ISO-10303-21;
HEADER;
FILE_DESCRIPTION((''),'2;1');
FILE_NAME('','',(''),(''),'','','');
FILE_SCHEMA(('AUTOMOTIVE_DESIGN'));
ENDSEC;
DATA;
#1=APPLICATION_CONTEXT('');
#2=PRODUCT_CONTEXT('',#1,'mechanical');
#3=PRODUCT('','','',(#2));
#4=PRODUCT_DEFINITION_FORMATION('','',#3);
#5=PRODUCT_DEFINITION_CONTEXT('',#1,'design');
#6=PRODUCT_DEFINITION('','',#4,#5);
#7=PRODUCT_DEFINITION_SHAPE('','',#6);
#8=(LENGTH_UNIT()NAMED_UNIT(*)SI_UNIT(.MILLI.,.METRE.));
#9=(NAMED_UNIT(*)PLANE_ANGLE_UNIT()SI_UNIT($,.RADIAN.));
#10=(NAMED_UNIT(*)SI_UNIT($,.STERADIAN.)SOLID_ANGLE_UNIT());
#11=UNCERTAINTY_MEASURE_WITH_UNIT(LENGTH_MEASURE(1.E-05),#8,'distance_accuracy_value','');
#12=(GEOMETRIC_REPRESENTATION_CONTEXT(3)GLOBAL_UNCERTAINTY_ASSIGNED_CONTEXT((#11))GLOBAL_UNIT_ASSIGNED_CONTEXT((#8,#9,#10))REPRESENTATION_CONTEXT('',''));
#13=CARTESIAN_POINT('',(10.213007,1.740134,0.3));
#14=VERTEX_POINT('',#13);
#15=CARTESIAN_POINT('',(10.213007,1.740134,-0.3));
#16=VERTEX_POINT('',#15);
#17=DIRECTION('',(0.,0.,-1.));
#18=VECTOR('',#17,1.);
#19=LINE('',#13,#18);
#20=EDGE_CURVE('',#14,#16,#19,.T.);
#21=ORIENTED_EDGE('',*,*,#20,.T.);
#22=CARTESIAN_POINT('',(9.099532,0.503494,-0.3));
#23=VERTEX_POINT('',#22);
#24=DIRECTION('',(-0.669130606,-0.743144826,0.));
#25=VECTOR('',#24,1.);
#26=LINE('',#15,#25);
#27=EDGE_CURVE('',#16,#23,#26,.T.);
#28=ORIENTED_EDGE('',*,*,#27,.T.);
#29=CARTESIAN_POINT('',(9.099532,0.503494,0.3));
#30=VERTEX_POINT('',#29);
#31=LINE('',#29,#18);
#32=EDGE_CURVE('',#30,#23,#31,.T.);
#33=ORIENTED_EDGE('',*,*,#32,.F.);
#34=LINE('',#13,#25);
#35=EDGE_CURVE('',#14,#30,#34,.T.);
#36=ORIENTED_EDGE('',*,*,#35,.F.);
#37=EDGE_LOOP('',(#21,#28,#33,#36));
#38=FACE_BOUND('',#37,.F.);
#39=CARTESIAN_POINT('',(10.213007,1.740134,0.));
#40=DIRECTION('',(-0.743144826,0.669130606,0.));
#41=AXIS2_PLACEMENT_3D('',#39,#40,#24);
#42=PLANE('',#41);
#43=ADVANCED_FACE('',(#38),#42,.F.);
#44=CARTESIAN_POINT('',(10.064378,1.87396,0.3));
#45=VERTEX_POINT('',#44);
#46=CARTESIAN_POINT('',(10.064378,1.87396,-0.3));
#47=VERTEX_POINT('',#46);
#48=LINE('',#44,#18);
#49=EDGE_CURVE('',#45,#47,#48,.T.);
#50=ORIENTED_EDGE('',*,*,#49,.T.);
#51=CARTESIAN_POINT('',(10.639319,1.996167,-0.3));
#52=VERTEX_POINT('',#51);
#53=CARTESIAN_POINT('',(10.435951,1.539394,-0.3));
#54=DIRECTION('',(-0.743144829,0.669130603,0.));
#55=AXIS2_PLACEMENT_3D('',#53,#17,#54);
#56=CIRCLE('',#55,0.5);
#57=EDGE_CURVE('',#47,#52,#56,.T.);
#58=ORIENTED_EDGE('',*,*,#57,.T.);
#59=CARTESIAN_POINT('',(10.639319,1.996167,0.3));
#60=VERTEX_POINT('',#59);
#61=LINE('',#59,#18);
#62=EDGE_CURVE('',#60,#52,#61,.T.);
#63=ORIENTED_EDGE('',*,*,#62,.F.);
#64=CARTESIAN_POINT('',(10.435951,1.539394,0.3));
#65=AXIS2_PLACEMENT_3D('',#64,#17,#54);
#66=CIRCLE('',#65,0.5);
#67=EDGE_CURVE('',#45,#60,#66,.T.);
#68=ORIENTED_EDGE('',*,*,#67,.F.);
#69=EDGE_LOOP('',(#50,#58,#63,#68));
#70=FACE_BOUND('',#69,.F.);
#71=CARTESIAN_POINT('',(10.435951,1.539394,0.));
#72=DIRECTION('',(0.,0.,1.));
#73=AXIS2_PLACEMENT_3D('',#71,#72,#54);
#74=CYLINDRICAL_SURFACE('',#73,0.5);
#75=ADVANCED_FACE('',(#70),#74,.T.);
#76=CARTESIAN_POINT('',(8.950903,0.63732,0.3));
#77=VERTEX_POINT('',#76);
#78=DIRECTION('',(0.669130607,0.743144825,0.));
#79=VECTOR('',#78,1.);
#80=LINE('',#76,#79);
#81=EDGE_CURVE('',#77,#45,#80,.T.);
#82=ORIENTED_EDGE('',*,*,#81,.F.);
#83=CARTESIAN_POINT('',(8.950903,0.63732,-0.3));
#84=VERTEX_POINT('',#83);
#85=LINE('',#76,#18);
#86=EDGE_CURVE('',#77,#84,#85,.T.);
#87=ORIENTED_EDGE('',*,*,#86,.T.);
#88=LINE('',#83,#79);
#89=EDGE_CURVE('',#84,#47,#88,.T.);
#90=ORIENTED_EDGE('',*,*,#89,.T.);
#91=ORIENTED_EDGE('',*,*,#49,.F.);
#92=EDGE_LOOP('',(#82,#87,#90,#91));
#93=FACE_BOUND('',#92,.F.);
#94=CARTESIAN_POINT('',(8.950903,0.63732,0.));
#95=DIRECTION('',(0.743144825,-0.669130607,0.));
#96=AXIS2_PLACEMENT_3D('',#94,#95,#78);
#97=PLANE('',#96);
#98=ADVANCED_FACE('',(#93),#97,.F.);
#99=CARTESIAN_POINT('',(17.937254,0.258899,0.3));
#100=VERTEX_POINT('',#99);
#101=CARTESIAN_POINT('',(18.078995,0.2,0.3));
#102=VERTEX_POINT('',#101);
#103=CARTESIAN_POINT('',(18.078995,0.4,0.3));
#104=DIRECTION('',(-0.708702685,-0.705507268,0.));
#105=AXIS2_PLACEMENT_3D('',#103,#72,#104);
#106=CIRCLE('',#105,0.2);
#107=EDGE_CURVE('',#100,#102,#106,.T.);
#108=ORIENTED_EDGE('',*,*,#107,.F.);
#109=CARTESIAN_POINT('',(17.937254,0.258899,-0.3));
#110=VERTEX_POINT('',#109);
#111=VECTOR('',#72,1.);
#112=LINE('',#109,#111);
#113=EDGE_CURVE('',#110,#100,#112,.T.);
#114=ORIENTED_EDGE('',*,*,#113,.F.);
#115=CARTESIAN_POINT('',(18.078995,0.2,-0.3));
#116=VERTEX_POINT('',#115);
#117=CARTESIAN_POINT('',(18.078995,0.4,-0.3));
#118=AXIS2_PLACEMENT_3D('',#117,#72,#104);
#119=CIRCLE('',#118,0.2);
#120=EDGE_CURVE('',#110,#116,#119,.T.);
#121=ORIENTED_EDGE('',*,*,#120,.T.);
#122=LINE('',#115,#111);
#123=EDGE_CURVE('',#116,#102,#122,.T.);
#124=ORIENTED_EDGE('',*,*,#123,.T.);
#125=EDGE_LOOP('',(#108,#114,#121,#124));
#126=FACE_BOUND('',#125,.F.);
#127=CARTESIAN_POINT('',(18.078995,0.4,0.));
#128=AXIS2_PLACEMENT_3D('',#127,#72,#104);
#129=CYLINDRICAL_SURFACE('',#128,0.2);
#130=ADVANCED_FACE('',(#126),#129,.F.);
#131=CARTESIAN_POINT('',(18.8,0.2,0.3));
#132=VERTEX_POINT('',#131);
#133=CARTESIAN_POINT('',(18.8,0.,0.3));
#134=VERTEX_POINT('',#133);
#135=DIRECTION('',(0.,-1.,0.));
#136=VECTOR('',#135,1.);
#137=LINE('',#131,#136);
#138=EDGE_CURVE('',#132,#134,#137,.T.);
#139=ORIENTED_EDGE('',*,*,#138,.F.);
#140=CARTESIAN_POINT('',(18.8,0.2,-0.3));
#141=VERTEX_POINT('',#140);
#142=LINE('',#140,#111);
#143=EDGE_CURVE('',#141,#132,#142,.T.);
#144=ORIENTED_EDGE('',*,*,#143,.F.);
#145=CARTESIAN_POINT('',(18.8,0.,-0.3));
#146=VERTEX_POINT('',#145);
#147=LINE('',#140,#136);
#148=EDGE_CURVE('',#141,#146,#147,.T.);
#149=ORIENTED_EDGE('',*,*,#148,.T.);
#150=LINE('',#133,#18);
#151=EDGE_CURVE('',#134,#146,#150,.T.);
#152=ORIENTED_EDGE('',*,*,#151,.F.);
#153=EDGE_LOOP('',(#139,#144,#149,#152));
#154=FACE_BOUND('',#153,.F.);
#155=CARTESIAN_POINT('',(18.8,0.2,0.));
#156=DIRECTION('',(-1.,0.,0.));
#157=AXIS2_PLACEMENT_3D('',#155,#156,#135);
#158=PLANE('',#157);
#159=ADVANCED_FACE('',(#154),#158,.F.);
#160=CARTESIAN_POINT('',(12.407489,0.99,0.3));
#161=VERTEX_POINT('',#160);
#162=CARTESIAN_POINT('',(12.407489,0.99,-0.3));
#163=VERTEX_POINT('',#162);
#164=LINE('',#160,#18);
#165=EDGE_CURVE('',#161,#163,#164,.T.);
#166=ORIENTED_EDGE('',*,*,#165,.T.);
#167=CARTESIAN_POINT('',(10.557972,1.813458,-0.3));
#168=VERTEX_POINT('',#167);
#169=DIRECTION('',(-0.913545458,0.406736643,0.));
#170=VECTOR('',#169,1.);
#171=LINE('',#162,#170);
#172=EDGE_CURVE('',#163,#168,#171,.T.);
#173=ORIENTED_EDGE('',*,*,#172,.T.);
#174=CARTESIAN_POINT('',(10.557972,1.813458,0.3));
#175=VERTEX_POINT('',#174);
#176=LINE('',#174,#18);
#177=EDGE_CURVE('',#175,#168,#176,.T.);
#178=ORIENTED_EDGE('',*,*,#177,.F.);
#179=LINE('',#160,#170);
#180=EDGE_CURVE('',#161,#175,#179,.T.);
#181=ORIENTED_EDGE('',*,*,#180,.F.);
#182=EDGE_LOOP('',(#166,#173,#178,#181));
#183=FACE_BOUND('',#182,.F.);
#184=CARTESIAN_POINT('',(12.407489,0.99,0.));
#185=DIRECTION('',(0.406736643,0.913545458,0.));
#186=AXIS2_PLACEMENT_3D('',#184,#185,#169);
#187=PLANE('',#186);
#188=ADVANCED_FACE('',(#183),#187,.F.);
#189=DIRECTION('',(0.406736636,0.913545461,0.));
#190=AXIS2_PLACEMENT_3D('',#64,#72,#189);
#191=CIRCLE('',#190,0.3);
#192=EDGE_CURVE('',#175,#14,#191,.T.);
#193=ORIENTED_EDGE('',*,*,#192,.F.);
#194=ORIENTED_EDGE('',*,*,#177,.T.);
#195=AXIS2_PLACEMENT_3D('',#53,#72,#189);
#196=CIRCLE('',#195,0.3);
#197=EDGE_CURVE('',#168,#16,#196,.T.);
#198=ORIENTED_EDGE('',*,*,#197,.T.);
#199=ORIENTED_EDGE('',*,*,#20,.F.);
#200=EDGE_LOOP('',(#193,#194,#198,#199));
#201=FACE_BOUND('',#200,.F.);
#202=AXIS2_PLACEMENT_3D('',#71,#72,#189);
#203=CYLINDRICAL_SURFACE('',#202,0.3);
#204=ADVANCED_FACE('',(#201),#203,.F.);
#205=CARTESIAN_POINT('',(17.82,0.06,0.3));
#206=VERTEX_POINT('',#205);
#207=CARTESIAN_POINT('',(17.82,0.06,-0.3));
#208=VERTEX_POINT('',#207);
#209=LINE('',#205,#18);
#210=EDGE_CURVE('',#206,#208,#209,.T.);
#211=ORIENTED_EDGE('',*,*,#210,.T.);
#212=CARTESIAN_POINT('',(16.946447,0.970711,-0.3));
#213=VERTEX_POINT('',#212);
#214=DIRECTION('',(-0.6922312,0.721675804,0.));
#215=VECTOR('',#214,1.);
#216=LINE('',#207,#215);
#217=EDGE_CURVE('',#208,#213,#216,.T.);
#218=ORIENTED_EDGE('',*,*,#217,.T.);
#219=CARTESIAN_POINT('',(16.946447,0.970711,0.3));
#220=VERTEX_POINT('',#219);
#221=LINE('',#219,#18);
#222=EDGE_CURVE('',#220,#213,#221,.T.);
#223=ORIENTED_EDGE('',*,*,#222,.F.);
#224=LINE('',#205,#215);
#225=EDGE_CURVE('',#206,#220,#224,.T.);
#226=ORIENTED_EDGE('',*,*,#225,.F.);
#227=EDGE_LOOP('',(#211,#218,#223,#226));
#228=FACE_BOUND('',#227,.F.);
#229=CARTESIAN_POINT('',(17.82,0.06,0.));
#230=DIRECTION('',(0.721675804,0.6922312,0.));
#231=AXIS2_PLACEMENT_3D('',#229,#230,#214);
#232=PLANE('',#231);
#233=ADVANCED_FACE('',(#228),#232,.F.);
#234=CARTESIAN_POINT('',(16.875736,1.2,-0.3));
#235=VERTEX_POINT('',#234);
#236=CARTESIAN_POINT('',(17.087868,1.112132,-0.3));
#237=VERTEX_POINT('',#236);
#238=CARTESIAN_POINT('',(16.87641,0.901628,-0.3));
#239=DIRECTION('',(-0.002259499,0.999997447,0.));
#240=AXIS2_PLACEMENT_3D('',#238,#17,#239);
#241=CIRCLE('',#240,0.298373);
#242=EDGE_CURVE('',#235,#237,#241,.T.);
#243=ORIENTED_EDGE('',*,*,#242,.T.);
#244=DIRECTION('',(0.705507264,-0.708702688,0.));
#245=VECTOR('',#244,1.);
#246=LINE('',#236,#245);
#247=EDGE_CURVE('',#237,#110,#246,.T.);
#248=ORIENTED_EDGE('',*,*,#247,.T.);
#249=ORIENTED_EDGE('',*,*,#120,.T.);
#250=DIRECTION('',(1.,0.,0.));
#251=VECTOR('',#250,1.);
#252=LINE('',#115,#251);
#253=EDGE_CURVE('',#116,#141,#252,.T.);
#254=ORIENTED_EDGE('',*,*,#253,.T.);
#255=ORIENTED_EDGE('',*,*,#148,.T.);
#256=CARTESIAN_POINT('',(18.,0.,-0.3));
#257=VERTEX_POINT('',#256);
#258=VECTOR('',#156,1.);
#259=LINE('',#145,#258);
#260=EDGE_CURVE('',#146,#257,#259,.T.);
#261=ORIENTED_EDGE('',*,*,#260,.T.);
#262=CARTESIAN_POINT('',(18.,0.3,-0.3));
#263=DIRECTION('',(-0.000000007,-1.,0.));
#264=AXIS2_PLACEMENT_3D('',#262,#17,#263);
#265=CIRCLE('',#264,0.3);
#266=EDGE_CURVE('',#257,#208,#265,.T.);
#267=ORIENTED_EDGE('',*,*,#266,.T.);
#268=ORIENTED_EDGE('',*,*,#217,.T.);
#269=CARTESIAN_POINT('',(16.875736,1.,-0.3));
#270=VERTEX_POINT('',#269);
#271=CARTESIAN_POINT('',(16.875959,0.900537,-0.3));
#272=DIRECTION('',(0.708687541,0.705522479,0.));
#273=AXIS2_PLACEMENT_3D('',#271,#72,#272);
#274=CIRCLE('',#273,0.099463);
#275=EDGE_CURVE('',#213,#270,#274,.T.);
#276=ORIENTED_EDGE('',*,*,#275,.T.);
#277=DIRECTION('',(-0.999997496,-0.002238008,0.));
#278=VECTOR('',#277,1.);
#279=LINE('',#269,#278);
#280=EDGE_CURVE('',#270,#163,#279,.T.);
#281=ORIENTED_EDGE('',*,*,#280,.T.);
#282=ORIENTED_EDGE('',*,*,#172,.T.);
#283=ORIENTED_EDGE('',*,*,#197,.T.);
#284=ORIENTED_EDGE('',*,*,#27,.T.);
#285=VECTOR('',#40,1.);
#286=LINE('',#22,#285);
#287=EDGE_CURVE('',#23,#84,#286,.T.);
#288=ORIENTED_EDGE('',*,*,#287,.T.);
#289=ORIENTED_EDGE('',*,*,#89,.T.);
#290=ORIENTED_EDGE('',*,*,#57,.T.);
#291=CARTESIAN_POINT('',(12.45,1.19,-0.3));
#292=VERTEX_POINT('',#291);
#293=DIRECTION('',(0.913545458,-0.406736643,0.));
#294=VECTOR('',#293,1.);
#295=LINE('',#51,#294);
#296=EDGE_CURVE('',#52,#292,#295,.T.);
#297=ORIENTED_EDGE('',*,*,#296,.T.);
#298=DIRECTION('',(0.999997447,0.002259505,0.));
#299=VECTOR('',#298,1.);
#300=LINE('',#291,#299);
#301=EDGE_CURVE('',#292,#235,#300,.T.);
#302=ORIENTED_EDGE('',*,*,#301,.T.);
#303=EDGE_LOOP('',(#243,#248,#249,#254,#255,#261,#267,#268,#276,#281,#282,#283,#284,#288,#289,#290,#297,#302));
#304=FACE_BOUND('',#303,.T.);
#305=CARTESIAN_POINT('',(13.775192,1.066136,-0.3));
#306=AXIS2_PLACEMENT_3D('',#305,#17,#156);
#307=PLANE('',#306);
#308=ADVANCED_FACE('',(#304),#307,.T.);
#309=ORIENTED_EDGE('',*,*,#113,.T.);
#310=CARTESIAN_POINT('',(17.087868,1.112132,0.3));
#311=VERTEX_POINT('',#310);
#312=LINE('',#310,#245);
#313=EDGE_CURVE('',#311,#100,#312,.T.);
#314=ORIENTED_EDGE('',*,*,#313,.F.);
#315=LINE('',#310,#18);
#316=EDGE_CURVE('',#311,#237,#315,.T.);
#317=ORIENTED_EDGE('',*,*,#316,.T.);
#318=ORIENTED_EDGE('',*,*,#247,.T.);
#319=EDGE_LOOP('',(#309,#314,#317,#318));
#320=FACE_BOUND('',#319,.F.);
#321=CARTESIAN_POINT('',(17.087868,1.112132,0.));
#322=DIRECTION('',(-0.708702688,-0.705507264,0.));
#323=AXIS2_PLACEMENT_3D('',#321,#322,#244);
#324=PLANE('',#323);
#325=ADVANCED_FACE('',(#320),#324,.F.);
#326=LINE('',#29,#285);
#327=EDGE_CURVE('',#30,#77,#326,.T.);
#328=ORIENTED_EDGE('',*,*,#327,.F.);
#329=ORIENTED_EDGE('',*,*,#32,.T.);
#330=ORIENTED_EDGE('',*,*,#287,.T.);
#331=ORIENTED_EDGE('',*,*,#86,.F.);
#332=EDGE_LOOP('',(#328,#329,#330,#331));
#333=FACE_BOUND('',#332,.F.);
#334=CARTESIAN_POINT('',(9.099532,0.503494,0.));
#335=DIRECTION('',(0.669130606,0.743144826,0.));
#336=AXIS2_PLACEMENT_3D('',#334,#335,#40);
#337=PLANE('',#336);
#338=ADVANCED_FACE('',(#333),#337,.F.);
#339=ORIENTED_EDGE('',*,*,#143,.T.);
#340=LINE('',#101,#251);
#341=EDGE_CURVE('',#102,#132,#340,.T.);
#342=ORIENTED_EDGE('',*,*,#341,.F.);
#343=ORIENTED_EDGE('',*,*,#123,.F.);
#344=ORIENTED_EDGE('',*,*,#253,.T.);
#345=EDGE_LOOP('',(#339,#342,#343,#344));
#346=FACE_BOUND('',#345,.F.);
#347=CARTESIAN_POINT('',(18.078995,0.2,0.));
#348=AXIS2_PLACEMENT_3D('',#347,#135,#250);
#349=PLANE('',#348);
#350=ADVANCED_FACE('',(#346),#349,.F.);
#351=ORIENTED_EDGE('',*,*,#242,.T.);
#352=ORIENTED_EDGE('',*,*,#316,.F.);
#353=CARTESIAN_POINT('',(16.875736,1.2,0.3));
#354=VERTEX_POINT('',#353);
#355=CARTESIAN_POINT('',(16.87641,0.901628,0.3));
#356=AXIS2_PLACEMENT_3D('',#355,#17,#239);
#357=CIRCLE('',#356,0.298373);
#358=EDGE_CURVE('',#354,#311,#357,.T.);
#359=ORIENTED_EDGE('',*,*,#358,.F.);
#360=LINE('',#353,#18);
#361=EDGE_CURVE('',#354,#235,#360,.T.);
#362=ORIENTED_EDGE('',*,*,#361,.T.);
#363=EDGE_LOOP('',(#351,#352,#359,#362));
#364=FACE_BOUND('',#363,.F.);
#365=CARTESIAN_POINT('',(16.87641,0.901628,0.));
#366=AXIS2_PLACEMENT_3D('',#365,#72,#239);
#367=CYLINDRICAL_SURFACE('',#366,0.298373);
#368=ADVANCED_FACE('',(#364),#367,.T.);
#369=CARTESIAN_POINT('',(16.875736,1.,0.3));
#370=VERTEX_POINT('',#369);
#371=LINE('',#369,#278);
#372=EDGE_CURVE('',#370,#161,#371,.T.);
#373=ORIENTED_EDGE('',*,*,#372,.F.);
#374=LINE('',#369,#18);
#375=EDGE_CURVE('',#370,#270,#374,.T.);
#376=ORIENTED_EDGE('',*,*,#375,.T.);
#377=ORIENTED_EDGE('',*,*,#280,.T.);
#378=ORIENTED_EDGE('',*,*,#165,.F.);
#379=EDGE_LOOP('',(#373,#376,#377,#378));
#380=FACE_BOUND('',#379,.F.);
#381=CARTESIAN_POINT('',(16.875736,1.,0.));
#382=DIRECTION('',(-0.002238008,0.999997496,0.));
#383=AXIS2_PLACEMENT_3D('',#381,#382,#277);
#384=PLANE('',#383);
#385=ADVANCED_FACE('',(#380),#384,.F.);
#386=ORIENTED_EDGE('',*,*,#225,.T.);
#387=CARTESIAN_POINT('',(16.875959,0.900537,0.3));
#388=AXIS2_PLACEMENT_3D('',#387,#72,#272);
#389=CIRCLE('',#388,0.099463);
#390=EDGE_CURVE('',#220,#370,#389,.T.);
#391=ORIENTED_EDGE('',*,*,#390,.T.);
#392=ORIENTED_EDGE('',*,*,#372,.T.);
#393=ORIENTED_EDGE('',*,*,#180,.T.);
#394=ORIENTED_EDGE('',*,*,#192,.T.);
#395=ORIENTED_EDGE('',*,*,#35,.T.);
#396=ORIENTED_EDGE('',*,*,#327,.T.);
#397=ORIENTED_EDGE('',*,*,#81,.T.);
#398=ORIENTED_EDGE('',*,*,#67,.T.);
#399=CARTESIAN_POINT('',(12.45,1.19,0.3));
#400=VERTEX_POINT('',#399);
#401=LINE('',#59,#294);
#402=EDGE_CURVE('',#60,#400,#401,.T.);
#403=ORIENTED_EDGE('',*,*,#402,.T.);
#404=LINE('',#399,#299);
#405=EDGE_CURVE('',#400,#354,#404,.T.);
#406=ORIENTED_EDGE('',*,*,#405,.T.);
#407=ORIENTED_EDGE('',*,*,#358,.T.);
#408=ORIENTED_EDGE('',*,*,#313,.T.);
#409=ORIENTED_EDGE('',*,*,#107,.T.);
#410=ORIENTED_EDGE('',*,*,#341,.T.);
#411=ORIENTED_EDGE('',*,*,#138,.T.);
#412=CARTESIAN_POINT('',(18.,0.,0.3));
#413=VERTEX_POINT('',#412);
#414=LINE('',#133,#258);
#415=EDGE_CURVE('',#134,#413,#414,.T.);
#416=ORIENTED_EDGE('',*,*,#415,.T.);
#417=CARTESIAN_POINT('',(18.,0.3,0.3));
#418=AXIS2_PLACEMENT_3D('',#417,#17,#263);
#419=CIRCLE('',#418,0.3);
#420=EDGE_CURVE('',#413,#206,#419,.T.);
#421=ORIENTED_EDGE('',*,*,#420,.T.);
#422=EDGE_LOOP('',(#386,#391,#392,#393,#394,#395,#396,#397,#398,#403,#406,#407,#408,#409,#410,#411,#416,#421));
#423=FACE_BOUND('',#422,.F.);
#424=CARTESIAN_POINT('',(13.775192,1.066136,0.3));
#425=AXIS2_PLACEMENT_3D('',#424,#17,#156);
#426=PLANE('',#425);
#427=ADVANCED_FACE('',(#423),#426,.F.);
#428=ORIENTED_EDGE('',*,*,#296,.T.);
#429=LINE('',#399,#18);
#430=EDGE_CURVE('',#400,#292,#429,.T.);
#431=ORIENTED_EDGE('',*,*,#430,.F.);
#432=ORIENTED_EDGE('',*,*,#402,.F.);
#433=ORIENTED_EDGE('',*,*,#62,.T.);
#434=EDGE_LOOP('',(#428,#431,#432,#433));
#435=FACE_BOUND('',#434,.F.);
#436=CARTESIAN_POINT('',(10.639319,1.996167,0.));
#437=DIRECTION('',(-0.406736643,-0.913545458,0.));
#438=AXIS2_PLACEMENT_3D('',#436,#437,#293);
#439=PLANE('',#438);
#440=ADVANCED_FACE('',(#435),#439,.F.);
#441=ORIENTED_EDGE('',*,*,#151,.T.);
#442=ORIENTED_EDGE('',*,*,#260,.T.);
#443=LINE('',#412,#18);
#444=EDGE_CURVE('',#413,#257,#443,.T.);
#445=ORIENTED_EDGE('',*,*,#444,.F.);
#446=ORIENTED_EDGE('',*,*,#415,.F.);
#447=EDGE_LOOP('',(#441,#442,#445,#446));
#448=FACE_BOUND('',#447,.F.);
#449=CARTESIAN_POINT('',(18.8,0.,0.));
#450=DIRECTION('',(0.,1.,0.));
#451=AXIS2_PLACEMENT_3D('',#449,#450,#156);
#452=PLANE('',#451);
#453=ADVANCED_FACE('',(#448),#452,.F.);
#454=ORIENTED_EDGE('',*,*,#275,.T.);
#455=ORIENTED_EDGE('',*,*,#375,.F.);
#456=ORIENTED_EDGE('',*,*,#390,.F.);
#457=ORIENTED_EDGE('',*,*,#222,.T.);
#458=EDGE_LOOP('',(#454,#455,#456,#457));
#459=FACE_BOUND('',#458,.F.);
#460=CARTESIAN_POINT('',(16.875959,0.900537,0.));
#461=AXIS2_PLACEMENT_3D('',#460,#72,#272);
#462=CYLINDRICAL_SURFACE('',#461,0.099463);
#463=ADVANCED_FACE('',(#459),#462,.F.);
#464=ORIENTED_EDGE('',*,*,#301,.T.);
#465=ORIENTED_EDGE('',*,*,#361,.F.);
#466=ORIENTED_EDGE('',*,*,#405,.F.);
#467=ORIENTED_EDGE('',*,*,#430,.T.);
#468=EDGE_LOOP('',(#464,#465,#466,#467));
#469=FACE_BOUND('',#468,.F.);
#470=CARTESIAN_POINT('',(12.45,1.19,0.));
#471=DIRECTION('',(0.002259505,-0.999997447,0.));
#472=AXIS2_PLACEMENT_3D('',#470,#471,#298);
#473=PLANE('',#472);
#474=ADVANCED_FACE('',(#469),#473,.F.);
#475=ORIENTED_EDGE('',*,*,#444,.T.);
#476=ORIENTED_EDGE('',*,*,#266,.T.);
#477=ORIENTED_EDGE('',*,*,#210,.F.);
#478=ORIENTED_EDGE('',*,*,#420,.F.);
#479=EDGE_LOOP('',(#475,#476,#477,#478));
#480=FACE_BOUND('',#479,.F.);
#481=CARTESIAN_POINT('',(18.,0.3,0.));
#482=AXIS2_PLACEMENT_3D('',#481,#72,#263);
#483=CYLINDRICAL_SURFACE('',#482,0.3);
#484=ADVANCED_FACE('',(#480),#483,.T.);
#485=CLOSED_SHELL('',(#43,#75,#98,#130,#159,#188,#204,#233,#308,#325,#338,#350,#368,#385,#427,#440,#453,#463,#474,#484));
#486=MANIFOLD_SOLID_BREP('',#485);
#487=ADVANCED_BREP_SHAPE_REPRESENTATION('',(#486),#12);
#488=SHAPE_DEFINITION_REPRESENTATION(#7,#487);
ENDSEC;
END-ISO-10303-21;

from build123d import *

# Parameters (mm, degrees)
RESSALTO_EXTRUS_O1_DEPTH = 0.3


with BuildPart() as part:
    # Esboço1 → Ressalto-extrusão1 (new body, symmetric)
    with BuildSketch(Plane.XY):
        with BuildLine():
            Line((18.8, 0.2), (18.8, 0))
            Line((18.8, 0), (18, 0))
            ThreePointArc((18, 0), (17.90513167, 0.015395011), (17.82, 0.06))
            Line((17.82, 0.06), (16.946446609, 0.970710678))
            ThreePointArc((16.946446609, 0.970710678), (16.914021314, 0.992429091), (16.875735931, 1))
            Line((16.875735931, 1), (12.407488688, 0.99))
            Line((12.407488688, 0.99), (10.557971552, 1.813458083))
            ThreePointArc((10.557971552, 1.813458083), (10.373577052, 1.832838725), (10.213007112, 1.740133627))
            Line((10.213007112, 1.740133627), (9.099531826, 0.503494039))
            Line((9.099531826, 0.503494039), (8.95090286, 0.637320161))
            Line((8.95090286, 0.637320161), (10.064378147, 1.873959748))
            ThreePointArc((10.064378147, 1.873959748), (10.331994714, 2.028468246), (10.639318881, 1.996167174))
            Line((10.639318881, 1.996167174), (12.45, 1.19))
            Line((12.45, 1.19), (16.875735931, 1.2))
            ThreePointArc((16.875735931, 1.2), (16.990592571, 1.177288457), (17.087867966, 1.112132034))
            Line((17.087867966, 1.112132034), (17.937254364, 0.258898547))
            ThreePointArc((17.937254364, 0.258898547), (18.002249513, 0.215310679), (18.078994902, 0.2))
            Line((18.078994902, 0.2), (18.8, 0.2))
        make_face()
    extrude(amount=RESSALTO_EXTRUS_O1_DEPTH, both=True)


solid = part.part
